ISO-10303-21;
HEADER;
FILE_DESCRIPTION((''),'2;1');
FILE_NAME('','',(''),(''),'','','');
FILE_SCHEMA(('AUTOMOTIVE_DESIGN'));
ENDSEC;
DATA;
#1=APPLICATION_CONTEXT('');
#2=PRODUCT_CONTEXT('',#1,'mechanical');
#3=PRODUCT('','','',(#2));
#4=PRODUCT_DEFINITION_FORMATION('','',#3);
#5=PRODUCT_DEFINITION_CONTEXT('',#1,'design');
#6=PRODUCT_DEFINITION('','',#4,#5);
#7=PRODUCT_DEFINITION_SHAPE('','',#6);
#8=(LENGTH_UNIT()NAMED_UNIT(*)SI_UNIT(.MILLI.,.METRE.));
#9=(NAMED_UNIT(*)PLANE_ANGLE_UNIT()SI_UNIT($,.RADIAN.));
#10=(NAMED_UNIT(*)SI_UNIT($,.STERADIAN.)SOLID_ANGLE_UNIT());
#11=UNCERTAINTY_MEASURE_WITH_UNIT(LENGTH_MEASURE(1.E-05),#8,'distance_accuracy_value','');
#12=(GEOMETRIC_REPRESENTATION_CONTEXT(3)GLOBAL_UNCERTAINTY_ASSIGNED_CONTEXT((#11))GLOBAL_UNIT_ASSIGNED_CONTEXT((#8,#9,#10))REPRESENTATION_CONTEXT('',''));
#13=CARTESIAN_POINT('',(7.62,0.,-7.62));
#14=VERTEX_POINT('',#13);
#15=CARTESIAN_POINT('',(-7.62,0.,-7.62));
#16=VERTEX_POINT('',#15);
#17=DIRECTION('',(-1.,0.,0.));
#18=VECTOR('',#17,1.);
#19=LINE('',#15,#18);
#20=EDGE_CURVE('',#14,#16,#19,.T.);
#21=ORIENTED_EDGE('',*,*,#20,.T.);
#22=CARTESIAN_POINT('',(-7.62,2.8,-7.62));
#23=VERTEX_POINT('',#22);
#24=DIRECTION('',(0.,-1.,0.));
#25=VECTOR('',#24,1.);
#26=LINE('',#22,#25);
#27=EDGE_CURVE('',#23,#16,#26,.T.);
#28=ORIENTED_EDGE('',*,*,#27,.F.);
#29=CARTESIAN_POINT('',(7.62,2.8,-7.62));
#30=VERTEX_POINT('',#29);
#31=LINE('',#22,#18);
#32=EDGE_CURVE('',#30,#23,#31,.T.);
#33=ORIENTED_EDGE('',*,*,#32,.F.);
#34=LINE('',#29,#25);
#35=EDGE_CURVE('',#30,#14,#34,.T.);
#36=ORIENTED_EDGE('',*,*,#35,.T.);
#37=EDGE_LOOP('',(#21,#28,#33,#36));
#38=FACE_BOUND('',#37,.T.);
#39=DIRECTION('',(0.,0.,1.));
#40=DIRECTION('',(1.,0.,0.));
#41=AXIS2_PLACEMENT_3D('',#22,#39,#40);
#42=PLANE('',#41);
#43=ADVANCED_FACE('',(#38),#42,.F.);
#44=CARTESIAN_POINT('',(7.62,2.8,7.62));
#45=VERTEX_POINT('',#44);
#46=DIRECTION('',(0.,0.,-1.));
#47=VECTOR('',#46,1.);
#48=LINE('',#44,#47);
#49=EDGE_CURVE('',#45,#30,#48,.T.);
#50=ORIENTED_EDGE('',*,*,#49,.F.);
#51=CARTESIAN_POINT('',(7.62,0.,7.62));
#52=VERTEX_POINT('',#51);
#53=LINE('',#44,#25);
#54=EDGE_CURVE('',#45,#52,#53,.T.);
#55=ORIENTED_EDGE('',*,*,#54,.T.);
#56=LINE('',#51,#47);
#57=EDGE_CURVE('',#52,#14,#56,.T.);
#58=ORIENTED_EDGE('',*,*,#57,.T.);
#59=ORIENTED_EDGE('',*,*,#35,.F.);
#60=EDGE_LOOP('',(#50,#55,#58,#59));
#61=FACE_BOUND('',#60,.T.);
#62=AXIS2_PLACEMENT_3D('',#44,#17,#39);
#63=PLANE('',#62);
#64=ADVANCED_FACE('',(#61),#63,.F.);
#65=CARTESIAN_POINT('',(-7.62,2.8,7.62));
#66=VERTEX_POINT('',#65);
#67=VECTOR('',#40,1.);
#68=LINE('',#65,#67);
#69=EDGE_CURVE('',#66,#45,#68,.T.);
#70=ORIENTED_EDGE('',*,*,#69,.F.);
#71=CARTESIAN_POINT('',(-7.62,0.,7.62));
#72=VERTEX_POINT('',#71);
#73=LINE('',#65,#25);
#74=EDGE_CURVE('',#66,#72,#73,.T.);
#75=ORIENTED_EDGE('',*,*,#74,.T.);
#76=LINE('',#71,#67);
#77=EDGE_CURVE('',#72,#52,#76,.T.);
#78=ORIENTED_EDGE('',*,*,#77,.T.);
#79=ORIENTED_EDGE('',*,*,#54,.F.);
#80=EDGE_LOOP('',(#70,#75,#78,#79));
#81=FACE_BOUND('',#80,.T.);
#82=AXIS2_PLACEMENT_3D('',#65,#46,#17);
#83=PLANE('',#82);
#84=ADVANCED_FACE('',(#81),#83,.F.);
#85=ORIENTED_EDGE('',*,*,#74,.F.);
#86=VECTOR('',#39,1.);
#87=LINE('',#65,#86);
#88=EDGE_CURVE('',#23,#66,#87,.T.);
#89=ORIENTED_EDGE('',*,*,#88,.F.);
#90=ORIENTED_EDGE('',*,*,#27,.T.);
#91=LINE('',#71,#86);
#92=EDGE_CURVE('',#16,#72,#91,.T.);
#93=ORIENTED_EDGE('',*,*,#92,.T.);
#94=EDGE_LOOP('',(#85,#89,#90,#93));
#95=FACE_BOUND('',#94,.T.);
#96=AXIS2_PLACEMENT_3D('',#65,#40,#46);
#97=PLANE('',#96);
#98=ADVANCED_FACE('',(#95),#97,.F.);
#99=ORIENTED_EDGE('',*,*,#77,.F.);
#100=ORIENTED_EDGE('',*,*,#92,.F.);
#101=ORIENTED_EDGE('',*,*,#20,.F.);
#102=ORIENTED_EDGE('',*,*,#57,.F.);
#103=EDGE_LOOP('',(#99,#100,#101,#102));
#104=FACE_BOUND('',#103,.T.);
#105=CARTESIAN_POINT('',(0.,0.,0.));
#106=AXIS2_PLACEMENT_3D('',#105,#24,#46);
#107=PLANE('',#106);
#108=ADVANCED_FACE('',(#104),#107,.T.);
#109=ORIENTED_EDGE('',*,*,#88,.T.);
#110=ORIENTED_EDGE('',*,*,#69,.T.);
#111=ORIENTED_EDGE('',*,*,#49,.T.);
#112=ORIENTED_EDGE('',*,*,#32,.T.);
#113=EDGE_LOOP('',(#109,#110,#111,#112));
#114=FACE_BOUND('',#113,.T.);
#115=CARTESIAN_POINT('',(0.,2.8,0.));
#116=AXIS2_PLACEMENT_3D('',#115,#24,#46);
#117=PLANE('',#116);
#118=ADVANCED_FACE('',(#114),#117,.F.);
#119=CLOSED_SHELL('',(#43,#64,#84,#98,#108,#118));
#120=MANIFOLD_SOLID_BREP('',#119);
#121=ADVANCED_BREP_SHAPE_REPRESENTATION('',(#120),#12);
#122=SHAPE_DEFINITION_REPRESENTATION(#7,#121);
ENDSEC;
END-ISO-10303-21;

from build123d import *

# Parameters (mm, degrees)
SKETCH_1_W      = 15.24
SKETCH_1_H      = 15.24
EXTRUDE_1_DEPTH = 2.8


with BuildPart() as part:
    # 草图1 → 凸台-拉伸1 (new body)
    with BuildSketch(Plane(origin=(0, 0, 0), x_dir=(1, 0, 0), z_dir=(0, 1, 0))):
        Rectangle(SKETCH_1_W, SKETCH_1_H)
    extrude(amount=EXTRUDE_1_DEPTH)


solid = part.part
